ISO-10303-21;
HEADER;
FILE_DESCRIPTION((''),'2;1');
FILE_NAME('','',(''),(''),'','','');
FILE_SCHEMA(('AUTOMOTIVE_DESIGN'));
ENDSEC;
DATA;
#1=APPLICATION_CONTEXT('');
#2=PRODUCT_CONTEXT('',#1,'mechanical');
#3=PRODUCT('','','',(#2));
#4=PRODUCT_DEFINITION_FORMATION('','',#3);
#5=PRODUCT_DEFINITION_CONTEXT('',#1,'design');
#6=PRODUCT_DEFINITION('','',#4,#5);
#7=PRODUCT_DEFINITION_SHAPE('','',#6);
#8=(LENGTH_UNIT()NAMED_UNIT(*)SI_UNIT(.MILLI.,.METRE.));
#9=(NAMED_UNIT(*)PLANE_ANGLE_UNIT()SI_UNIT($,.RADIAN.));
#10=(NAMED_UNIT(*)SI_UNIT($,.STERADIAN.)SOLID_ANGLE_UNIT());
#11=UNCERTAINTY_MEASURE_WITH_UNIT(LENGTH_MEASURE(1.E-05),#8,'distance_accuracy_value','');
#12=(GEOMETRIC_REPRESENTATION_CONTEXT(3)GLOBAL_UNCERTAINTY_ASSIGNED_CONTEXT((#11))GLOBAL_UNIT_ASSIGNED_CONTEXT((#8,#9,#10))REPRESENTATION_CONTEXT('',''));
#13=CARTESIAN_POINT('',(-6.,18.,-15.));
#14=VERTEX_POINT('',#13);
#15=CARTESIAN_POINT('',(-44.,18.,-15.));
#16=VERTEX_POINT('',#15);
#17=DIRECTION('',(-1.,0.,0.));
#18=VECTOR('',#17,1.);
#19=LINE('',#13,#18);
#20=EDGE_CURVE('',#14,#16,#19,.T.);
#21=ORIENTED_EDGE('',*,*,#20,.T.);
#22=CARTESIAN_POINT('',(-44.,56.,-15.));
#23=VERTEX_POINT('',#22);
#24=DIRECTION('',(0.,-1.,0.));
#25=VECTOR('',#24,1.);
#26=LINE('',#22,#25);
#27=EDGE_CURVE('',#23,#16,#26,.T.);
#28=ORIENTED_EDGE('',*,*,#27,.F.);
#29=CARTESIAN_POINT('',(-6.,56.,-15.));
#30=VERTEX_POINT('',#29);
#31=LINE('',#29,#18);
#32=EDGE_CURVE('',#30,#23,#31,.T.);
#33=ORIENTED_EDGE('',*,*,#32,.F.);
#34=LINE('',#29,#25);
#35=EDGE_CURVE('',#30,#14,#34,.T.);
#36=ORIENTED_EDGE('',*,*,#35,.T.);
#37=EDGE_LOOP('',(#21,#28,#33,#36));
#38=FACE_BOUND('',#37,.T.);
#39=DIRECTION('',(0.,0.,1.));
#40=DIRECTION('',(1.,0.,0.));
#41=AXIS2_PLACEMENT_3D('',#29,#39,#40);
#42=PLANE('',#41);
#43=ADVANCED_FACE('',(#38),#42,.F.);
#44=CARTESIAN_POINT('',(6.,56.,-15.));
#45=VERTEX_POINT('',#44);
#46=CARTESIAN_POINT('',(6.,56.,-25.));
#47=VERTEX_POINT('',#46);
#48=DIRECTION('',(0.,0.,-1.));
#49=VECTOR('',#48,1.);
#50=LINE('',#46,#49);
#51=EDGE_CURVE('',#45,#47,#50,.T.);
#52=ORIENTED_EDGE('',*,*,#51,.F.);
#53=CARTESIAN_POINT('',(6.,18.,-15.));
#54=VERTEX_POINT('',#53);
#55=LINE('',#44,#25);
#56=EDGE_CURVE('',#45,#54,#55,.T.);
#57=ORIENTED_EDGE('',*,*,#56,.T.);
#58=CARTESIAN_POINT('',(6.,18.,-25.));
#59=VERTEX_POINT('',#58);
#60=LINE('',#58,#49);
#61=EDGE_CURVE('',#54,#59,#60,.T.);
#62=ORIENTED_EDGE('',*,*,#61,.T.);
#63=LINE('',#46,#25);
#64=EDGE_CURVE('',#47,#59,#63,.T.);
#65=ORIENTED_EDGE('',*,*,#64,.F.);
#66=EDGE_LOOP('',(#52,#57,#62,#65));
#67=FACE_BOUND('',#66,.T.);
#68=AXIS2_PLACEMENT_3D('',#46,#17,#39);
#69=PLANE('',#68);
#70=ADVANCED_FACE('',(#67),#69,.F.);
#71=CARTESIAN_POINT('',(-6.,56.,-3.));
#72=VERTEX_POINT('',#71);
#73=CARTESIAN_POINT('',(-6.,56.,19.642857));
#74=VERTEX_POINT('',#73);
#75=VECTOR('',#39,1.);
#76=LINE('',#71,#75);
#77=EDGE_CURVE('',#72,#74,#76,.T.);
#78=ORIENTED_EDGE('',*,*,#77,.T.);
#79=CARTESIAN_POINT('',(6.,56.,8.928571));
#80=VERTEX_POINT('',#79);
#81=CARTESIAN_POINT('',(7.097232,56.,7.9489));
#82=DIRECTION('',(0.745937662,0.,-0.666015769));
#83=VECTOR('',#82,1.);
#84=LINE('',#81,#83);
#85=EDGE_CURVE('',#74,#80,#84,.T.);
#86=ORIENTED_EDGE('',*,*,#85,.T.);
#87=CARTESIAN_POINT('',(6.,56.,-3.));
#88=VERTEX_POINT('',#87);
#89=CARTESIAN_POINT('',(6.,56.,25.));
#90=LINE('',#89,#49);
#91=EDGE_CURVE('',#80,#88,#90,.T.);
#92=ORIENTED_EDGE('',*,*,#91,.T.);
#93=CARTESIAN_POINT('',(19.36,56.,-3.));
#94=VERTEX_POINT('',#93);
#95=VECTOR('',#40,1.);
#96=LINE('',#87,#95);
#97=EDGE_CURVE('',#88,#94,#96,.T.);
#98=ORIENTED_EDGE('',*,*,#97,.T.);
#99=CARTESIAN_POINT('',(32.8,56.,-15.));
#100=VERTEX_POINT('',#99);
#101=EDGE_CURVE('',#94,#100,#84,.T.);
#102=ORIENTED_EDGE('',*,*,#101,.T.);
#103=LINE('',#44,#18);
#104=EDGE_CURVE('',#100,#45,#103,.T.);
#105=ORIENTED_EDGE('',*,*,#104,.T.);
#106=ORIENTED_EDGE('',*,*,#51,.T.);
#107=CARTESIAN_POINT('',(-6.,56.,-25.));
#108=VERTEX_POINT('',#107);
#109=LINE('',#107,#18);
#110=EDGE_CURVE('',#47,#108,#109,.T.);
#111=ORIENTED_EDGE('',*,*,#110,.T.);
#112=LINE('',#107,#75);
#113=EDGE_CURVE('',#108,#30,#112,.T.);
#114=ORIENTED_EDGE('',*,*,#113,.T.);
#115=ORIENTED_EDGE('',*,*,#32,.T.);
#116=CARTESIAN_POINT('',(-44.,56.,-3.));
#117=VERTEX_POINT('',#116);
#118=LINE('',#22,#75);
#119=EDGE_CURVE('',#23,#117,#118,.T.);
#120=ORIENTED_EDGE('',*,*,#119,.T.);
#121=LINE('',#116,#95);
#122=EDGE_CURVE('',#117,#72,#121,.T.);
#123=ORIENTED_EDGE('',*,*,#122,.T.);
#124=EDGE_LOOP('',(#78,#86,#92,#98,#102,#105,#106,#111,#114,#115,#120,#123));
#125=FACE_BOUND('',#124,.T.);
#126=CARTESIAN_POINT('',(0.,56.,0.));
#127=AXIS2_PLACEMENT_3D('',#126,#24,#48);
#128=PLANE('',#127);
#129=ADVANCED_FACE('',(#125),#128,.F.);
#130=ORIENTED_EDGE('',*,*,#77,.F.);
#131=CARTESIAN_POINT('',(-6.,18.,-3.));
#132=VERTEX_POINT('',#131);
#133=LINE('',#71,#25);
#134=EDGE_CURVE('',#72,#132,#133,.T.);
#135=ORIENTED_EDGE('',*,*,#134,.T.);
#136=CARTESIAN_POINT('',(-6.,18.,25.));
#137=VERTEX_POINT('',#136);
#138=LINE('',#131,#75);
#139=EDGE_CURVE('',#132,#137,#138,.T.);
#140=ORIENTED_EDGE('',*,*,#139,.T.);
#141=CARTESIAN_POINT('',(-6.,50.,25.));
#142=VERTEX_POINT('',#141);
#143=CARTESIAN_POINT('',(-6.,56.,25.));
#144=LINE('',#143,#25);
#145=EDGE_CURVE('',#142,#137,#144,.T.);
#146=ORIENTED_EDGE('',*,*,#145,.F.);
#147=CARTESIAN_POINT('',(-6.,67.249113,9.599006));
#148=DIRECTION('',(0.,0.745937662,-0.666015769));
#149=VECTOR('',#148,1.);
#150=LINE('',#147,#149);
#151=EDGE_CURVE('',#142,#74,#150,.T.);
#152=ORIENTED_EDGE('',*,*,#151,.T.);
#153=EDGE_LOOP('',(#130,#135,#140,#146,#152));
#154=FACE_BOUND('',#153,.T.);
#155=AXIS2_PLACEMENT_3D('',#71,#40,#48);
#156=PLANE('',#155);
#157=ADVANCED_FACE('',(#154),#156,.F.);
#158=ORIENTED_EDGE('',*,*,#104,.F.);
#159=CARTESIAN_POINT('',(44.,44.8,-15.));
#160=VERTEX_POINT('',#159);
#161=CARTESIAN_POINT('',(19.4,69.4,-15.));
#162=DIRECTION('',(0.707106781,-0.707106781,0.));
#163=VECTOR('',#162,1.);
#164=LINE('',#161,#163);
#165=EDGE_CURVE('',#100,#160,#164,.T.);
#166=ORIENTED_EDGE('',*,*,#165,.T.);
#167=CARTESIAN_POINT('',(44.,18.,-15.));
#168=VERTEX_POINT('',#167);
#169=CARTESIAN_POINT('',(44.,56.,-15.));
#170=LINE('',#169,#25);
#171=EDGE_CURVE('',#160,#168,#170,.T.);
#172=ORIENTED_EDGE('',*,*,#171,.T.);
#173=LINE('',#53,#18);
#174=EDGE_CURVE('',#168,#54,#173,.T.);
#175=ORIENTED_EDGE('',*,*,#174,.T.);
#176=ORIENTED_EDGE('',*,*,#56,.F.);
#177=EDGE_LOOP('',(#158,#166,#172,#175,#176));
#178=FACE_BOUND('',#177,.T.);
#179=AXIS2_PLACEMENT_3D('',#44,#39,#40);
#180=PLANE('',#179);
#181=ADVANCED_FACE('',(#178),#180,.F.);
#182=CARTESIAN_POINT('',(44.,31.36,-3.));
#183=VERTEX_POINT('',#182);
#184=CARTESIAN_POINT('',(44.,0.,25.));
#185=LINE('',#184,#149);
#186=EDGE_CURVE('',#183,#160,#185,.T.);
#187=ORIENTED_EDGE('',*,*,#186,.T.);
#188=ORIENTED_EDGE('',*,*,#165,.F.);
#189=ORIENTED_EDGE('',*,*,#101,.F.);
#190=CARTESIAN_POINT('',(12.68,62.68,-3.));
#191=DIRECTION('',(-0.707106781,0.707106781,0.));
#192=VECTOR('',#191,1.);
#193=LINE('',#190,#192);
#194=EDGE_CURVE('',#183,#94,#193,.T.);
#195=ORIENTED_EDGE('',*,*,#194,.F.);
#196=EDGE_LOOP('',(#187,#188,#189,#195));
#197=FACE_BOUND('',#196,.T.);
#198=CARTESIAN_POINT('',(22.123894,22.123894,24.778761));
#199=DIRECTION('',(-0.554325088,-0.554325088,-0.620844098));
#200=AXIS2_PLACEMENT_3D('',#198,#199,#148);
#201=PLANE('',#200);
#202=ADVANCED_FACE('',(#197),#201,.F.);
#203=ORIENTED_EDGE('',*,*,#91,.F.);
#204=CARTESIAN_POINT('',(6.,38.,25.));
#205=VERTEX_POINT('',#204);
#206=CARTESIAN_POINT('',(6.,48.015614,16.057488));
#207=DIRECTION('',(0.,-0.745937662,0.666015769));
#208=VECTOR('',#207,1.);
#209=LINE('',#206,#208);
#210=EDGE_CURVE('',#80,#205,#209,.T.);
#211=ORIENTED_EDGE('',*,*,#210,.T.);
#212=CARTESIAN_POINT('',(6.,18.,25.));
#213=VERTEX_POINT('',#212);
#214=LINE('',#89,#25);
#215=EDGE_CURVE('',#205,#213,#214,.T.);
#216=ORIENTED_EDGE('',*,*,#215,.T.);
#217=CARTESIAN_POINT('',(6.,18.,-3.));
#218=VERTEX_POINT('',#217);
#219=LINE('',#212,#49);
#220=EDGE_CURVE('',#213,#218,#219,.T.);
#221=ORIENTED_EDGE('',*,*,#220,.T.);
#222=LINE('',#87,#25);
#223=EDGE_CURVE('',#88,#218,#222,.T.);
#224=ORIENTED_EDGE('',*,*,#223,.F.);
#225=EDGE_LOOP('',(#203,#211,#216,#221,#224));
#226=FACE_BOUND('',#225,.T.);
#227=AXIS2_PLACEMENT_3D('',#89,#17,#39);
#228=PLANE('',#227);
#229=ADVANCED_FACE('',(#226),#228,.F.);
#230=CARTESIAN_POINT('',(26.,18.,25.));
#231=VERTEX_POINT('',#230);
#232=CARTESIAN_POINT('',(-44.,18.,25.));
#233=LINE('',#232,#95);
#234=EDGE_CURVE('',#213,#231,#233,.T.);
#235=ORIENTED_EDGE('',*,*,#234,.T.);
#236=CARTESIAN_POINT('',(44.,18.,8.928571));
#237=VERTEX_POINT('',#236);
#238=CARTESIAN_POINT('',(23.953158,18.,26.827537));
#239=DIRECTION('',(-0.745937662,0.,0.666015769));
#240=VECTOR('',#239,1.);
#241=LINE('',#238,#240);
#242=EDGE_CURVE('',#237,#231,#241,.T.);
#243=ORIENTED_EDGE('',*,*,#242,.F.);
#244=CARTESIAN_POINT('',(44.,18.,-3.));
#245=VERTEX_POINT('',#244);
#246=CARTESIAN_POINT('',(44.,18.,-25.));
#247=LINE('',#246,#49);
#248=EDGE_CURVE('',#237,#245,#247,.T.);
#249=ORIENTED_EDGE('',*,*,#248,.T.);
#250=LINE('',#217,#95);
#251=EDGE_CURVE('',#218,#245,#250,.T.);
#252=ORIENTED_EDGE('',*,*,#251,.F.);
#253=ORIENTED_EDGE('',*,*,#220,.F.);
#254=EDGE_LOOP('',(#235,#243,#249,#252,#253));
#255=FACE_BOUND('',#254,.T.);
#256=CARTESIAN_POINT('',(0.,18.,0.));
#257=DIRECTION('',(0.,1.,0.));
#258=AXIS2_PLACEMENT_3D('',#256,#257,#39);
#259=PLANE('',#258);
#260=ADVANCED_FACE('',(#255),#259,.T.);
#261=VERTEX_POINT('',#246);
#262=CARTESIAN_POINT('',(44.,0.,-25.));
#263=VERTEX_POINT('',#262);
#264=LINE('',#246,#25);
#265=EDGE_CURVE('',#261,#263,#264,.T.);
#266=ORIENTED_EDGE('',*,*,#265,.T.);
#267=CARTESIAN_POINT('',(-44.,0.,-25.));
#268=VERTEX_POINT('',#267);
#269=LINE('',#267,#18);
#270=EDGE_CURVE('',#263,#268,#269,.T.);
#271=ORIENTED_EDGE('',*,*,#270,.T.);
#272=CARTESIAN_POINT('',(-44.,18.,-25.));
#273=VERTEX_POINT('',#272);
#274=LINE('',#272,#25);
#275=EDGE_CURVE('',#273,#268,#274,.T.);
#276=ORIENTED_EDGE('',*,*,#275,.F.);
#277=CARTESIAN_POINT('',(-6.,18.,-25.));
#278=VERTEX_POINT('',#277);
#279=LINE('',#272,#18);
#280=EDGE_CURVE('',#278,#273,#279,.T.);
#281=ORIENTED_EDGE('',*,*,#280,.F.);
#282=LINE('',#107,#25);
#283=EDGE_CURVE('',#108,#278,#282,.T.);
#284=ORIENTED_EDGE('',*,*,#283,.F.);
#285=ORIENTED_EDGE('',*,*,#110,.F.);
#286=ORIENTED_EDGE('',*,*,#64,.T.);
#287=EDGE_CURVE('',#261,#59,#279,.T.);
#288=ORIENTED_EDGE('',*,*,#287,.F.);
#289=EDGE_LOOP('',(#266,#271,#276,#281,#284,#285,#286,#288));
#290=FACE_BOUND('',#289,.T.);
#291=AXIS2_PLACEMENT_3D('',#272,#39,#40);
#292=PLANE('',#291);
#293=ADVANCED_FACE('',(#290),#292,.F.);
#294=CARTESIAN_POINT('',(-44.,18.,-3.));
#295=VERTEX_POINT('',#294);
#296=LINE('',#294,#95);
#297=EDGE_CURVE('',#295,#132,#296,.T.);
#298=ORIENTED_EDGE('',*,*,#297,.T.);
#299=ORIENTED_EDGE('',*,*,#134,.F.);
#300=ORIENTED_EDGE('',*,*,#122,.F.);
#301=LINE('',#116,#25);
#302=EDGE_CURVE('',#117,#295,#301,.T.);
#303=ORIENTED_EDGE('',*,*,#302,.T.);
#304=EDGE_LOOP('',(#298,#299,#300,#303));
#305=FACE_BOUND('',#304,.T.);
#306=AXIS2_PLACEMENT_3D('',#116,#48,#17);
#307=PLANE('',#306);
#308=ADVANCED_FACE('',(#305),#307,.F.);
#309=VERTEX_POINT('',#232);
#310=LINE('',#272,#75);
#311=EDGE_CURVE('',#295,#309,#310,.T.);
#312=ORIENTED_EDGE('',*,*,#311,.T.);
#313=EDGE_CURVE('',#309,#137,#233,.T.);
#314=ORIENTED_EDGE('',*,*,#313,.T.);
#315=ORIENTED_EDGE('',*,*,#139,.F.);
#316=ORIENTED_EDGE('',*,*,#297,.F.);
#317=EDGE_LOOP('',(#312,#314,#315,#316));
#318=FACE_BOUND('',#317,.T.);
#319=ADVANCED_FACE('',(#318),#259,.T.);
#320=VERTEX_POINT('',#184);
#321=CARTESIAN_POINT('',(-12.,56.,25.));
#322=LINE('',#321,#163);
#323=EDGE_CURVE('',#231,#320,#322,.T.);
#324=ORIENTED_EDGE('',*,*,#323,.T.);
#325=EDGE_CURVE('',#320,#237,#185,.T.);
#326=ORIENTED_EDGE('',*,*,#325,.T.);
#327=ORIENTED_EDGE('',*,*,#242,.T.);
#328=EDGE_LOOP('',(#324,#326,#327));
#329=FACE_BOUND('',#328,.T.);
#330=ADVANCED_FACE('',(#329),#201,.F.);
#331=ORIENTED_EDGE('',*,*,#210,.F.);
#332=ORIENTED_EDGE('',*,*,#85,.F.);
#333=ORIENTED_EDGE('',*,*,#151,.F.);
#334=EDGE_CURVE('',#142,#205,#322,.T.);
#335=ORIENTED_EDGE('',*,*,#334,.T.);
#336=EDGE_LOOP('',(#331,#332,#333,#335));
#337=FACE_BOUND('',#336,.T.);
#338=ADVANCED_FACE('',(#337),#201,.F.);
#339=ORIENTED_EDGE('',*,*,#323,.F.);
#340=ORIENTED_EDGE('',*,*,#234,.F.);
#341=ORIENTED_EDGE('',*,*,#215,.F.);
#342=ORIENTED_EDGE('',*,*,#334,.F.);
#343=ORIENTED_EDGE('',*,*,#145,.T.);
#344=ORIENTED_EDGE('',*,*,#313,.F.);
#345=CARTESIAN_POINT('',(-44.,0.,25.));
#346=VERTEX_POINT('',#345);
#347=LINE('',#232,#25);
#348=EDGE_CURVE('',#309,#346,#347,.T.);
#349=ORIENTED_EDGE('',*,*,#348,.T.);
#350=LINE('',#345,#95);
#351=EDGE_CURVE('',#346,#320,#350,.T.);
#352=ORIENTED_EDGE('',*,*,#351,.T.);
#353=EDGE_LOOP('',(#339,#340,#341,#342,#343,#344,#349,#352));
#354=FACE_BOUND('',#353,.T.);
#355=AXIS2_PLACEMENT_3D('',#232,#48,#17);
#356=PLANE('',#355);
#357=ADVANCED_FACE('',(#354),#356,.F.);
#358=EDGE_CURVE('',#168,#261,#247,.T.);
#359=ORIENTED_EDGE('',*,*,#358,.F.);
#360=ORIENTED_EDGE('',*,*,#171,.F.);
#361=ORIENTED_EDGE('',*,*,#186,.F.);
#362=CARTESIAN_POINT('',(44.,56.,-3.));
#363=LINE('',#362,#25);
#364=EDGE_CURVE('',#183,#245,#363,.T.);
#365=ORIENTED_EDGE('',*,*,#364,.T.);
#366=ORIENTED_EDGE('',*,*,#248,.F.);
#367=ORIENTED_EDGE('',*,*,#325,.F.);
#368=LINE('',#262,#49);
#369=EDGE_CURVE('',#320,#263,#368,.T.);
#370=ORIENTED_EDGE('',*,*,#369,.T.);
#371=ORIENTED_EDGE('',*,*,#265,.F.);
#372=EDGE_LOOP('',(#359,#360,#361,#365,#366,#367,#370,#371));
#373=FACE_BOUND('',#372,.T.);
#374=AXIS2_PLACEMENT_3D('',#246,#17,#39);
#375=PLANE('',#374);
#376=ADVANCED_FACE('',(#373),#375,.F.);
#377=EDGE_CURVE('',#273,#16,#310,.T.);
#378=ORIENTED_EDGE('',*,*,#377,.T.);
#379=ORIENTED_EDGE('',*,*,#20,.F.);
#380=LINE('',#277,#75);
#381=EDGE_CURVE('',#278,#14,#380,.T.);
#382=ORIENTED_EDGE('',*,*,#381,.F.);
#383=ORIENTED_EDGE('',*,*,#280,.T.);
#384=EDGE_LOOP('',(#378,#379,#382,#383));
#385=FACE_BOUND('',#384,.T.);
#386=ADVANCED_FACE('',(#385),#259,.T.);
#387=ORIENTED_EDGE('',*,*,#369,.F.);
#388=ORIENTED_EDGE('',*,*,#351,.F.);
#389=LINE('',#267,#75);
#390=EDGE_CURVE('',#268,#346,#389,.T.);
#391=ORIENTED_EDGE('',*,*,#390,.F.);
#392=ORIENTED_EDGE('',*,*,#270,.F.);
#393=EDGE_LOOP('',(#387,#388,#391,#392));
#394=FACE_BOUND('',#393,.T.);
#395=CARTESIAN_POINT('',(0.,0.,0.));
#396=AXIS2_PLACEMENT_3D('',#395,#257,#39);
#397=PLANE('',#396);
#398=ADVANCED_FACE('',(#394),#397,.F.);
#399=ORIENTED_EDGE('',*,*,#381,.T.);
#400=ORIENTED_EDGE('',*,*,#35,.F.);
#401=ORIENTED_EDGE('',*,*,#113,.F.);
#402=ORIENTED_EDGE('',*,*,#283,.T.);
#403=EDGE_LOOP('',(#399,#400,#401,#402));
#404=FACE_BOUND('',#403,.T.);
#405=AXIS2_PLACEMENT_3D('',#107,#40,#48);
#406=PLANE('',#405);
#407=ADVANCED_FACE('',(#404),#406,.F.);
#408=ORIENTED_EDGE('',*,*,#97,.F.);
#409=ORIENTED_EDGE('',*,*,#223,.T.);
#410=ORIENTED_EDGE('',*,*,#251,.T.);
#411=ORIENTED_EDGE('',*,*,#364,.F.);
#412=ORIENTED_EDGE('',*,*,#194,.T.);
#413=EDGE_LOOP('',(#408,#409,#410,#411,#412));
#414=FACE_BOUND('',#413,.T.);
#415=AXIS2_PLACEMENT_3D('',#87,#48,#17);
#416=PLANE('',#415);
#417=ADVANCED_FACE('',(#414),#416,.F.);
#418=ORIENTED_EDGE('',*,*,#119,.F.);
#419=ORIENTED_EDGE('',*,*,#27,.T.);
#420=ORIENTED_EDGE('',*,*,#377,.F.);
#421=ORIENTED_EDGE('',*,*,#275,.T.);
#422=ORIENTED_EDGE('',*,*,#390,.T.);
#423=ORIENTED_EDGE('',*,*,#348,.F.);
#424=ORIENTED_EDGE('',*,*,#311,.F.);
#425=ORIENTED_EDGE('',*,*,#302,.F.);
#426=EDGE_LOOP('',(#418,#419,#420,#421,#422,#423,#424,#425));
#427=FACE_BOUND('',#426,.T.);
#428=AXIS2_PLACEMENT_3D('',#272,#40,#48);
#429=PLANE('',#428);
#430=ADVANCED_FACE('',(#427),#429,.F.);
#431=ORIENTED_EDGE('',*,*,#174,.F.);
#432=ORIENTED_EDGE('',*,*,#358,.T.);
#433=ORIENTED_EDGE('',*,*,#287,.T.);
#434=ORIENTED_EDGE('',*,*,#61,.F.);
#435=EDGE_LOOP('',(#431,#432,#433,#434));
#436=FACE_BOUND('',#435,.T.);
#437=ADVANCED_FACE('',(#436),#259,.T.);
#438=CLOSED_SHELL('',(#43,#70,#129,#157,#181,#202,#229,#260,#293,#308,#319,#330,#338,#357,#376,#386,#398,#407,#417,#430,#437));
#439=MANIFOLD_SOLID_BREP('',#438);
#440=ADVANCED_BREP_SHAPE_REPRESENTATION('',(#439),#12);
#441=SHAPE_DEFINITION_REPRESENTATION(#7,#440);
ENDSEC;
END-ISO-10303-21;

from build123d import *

# Parameters (mm, degrees)
SKETCH2_W           = 88
SKETCH2_H           = 50
BOSS_EXTRUDE1_DEPTH = 18
BOSS_EXTRUDE2_DEPTH = 38
CUT_EXTRUDE14_DEPTH = 38


with BuildPart() as part:
    # Sketch2 → Boss-Extrude1 (new body)
    with BuildSketch(Plane(origin=(0, 0, 0), x_dir=(1, 0, 0), z_dir=(0, 1, 0))):
        Rectangle(SKETCH2_W, SKETCH2_H)
    extrude(amount=BOSS_EXTRUDE1_DEPTH)

    # Sketch3 → Boss-Extrude2 (add)
    with BuildSketch(Plane(origin=(0, 18, 0), x_dir=(1, 0, 0), z_dir=(0, 1, 0))):
        Polygon((-6, 25), (-6, 15), (-44, 15), (-44, 3), (-6, 3), (-6, -25), (6, -25), (6, 3), (44, 3), (44, 15), (6, 15), (6, 25), align=None)
    extrude(amount=BOSS_EXTRUDE2_DEPTH)

    # Sketch7 → Cut-Extrude14 (cut)
    with BuildSketch(Plane(origin=(22.123893805, 22.123893805, 24.778761062), x_dir=(0.832300245, -0.36918925, -0.41349196), z_dir=(0.554325088, 0.554325088, 0.620844098))):
        Polygon((-40.999499912, 25.122114818), (26.28391177, -16.650394233), (26.28391177, 58.422903284), align=None)
    extrude(amount=CUT_EXTRUDE14_DEPTH, mode=Mode.SUBTRACT)


solid = part.part
